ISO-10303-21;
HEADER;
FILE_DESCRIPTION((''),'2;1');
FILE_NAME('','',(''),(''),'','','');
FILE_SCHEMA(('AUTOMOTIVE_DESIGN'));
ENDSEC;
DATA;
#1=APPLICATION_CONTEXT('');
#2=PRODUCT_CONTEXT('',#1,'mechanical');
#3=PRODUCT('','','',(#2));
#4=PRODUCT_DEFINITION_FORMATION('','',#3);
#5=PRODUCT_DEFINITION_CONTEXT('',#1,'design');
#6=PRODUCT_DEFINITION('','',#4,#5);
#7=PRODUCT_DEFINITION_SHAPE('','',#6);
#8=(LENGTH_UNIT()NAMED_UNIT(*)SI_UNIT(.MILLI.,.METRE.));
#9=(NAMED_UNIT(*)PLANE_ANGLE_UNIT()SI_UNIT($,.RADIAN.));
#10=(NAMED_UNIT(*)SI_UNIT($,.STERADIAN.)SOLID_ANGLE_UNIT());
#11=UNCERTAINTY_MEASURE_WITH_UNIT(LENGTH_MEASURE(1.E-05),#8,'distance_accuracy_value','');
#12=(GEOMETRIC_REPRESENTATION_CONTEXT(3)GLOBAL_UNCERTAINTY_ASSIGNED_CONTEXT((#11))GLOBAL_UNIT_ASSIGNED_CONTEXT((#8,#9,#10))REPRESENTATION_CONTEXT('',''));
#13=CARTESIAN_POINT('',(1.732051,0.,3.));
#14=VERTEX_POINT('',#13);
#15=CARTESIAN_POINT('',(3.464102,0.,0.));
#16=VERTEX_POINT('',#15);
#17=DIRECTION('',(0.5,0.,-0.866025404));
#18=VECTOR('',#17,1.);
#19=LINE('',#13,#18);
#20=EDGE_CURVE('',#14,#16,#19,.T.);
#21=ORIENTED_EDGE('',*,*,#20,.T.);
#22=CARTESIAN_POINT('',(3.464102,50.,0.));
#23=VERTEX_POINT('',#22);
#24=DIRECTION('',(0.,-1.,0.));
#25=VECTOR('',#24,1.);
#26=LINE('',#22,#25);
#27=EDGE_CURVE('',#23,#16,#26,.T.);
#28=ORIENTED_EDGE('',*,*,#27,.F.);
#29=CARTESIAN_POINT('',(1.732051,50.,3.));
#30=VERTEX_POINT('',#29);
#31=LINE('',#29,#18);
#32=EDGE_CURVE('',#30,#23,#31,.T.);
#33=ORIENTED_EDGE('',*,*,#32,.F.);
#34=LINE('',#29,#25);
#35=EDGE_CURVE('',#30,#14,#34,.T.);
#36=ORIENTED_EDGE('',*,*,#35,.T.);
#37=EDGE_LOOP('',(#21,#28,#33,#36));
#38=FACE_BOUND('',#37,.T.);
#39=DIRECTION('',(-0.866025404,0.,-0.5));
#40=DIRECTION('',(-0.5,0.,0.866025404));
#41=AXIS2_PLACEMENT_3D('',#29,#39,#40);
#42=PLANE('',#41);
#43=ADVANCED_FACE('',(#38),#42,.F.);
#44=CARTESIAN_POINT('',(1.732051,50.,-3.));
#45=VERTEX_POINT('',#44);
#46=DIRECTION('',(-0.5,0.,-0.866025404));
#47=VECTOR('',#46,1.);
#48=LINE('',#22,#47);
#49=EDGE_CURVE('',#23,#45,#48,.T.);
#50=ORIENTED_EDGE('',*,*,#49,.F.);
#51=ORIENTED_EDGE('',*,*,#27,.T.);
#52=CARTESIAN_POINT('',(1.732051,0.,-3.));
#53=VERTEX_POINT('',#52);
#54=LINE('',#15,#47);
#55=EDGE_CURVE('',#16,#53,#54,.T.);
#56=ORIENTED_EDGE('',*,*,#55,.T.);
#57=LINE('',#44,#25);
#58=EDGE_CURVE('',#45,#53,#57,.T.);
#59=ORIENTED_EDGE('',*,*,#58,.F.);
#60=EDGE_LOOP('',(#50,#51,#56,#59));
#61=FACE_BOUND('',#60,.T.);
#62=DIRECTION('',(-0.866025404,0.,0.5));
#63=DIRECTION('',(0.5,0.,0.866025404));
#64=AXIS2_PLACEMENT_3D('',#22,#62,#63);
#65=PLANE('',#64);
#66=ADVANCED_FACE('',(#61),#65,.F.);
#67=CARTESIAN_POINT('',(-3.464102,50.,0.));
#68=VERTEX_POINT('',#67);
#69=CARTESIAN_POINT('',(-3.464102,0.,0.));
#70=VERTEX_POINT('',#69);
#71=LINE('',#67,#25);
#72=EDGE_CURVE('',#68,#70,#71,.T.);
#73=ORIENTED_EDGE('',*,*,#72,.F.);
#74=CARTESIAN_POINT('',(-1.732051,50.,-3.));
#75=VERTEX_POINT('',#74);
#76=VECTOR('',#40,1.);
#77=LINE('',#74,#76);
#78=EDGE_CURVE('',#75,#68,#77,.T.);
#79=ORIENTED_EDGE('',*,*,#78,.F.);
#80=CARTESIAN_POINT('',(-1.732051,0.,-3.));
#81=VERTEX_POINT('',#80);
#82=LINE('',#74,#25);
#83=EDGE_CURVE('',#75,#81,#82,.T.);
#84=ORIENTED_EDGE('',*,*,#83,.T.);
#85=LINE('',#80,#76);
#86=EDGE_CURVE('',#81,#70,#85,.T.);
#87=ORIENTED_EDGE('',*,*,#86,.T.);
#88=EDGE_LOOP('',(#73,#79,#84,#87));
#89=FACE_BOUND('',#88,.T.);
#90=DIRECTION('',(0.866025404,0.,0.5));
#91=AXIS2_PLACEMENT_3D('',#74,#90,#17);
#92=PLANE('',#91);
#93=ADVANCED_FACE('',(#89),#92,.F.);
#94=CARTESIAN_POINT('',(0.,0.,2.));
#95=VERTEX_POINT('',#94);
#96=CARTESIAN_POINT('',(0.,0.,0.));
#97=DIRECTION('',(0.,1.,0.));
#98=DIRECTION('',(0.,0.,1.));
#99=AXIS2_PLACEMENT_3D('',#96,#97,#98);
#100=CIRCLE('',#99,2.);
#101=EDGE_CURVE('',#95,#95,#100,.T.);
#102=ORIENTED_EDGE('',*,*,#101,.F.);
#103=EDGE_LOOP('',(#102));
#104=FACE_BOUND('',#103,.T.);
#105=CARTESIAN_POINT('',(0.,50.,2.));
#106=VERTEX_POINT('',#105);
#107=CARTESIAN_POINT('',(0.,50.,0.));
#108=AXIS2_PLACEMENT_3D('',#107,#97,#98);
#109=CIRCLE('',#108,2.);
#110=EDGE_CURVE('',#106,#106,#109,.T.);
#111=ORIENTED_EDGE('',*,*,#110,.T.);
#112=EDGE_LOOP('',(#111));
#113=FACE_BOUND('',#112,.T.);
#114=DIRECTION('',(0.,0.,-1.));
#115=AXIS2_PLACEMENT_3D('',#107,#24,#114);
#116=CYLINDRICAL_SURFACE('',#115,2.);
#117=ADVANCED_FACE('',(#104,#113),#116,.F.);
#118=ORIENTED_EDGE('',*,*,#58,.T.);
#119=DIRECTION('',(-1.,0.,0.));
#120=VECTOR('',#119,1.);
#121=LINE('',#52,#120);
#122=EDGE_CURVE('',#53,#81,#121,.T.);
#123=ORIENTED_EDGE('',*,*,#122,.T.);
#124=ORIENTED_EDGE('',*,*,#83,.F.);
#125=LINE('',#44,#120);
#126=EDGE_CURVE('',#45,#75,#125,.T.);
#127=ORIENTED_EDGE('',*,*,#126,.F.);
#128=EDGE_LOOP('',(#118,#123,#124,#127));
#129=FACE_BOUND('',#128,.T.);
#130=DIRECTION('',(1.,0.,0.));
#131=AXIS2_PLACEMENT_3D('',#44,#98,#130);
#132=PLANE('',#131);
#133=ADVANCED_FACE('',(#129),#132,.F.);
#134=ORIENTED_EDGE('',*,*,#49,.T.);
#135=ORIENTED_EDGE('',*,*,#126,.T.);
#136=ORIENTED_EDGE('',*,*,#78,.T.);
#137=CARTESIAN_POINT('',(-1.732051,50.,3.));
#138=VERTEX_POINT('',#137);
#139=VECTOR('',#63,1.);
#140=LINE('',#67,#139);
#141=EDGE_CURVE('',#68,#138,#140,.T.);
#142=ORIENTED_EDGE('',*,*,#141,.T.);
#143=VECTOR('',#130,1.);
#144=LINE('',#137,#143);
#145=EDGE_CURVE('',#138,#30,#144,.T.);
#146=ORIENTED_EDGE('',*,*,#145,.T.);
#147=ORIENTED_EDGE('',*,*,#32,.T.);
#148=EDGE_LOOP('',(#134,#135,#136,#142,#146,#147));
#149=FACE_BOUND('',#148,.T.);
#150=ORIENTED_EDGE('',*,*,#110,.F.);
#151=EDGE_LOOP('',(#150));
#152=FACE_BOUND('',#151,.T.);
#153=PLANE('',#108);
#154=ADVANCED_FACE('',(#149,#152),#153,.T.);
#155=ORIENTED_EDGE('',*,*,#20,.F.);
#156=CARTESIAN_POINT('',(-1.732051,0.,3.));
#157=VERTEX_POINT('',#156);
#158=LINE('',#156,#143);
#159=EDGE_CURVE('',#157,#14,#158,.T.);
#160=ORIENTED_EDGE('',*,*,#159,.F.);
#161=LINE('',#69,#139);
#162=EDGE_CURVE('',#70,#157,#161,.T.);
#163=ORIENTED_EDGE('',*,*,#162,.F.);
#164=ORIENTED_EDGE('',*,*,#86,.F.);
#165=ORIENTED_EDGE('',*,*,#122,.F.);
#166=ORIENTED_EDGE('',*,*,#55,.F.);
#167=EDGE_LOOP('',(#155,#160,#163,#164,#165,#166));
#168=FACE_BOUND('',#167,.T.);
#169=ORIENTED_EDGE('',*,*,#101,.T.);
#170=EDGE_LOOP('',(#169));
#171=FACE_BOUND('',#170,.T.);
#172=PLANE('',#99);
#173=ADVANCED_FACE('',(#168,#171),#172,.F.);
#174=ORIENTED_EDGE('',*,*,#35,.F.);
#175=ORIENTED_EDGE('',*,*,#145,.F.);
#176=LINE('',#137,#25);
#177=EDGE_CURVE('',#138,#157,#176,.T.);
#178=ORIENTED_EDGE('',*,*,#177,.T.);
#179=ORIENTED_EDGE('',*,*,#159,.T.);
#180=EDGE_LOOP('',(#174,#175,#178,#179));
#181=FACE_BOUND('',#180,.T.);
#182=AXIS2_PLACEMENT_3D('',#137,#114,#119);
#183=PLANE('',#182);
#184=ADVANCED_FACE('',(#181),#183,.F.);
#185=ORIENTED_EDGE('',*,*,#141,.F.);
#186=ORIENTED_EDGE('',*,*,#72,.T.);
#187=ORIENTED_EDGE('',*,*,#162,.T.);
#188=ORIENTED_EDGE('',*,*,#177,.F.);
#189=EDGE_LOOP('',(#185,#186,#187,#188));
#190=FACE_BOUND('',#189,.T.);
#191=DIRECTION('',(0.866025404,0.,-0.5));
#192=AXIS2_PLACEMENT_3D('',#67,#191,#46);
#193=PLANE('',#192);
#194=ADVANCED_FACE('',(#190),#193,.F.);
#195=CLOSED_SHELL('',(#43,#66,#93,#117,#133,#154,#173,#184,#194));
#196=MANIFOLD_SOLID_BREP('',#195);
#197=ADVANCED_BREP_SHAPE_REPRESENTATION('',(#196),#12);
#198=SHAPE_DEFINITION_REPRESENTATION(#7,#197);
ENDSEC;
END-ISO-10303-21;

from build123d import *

# Parameters (mm, degrees)
SKETCH_1_R      = 2
EXTRUDE_1_DEPTH = 50


with BuildPart() as part:
    # 草图1 → 凸台-拉伸1 (new body)
    with BuildSketch(Plane(origin=(0, 0, 0), x_dir=(1, 0, 0), z_dir=(0, 1, 0))):
        Polygon((1.732050808, 3), (-1.732050808, 3), (-3.464101615, 0), (-1.732050808, -3), (1.732050808, -3), (3.464101615, 0), align=None)
        Circle(SKETCH_1_R, mode=Mode.SUBTRACT)
    extrude(amount=EXTRUDE_1_DEPTH)


solid = part.part
